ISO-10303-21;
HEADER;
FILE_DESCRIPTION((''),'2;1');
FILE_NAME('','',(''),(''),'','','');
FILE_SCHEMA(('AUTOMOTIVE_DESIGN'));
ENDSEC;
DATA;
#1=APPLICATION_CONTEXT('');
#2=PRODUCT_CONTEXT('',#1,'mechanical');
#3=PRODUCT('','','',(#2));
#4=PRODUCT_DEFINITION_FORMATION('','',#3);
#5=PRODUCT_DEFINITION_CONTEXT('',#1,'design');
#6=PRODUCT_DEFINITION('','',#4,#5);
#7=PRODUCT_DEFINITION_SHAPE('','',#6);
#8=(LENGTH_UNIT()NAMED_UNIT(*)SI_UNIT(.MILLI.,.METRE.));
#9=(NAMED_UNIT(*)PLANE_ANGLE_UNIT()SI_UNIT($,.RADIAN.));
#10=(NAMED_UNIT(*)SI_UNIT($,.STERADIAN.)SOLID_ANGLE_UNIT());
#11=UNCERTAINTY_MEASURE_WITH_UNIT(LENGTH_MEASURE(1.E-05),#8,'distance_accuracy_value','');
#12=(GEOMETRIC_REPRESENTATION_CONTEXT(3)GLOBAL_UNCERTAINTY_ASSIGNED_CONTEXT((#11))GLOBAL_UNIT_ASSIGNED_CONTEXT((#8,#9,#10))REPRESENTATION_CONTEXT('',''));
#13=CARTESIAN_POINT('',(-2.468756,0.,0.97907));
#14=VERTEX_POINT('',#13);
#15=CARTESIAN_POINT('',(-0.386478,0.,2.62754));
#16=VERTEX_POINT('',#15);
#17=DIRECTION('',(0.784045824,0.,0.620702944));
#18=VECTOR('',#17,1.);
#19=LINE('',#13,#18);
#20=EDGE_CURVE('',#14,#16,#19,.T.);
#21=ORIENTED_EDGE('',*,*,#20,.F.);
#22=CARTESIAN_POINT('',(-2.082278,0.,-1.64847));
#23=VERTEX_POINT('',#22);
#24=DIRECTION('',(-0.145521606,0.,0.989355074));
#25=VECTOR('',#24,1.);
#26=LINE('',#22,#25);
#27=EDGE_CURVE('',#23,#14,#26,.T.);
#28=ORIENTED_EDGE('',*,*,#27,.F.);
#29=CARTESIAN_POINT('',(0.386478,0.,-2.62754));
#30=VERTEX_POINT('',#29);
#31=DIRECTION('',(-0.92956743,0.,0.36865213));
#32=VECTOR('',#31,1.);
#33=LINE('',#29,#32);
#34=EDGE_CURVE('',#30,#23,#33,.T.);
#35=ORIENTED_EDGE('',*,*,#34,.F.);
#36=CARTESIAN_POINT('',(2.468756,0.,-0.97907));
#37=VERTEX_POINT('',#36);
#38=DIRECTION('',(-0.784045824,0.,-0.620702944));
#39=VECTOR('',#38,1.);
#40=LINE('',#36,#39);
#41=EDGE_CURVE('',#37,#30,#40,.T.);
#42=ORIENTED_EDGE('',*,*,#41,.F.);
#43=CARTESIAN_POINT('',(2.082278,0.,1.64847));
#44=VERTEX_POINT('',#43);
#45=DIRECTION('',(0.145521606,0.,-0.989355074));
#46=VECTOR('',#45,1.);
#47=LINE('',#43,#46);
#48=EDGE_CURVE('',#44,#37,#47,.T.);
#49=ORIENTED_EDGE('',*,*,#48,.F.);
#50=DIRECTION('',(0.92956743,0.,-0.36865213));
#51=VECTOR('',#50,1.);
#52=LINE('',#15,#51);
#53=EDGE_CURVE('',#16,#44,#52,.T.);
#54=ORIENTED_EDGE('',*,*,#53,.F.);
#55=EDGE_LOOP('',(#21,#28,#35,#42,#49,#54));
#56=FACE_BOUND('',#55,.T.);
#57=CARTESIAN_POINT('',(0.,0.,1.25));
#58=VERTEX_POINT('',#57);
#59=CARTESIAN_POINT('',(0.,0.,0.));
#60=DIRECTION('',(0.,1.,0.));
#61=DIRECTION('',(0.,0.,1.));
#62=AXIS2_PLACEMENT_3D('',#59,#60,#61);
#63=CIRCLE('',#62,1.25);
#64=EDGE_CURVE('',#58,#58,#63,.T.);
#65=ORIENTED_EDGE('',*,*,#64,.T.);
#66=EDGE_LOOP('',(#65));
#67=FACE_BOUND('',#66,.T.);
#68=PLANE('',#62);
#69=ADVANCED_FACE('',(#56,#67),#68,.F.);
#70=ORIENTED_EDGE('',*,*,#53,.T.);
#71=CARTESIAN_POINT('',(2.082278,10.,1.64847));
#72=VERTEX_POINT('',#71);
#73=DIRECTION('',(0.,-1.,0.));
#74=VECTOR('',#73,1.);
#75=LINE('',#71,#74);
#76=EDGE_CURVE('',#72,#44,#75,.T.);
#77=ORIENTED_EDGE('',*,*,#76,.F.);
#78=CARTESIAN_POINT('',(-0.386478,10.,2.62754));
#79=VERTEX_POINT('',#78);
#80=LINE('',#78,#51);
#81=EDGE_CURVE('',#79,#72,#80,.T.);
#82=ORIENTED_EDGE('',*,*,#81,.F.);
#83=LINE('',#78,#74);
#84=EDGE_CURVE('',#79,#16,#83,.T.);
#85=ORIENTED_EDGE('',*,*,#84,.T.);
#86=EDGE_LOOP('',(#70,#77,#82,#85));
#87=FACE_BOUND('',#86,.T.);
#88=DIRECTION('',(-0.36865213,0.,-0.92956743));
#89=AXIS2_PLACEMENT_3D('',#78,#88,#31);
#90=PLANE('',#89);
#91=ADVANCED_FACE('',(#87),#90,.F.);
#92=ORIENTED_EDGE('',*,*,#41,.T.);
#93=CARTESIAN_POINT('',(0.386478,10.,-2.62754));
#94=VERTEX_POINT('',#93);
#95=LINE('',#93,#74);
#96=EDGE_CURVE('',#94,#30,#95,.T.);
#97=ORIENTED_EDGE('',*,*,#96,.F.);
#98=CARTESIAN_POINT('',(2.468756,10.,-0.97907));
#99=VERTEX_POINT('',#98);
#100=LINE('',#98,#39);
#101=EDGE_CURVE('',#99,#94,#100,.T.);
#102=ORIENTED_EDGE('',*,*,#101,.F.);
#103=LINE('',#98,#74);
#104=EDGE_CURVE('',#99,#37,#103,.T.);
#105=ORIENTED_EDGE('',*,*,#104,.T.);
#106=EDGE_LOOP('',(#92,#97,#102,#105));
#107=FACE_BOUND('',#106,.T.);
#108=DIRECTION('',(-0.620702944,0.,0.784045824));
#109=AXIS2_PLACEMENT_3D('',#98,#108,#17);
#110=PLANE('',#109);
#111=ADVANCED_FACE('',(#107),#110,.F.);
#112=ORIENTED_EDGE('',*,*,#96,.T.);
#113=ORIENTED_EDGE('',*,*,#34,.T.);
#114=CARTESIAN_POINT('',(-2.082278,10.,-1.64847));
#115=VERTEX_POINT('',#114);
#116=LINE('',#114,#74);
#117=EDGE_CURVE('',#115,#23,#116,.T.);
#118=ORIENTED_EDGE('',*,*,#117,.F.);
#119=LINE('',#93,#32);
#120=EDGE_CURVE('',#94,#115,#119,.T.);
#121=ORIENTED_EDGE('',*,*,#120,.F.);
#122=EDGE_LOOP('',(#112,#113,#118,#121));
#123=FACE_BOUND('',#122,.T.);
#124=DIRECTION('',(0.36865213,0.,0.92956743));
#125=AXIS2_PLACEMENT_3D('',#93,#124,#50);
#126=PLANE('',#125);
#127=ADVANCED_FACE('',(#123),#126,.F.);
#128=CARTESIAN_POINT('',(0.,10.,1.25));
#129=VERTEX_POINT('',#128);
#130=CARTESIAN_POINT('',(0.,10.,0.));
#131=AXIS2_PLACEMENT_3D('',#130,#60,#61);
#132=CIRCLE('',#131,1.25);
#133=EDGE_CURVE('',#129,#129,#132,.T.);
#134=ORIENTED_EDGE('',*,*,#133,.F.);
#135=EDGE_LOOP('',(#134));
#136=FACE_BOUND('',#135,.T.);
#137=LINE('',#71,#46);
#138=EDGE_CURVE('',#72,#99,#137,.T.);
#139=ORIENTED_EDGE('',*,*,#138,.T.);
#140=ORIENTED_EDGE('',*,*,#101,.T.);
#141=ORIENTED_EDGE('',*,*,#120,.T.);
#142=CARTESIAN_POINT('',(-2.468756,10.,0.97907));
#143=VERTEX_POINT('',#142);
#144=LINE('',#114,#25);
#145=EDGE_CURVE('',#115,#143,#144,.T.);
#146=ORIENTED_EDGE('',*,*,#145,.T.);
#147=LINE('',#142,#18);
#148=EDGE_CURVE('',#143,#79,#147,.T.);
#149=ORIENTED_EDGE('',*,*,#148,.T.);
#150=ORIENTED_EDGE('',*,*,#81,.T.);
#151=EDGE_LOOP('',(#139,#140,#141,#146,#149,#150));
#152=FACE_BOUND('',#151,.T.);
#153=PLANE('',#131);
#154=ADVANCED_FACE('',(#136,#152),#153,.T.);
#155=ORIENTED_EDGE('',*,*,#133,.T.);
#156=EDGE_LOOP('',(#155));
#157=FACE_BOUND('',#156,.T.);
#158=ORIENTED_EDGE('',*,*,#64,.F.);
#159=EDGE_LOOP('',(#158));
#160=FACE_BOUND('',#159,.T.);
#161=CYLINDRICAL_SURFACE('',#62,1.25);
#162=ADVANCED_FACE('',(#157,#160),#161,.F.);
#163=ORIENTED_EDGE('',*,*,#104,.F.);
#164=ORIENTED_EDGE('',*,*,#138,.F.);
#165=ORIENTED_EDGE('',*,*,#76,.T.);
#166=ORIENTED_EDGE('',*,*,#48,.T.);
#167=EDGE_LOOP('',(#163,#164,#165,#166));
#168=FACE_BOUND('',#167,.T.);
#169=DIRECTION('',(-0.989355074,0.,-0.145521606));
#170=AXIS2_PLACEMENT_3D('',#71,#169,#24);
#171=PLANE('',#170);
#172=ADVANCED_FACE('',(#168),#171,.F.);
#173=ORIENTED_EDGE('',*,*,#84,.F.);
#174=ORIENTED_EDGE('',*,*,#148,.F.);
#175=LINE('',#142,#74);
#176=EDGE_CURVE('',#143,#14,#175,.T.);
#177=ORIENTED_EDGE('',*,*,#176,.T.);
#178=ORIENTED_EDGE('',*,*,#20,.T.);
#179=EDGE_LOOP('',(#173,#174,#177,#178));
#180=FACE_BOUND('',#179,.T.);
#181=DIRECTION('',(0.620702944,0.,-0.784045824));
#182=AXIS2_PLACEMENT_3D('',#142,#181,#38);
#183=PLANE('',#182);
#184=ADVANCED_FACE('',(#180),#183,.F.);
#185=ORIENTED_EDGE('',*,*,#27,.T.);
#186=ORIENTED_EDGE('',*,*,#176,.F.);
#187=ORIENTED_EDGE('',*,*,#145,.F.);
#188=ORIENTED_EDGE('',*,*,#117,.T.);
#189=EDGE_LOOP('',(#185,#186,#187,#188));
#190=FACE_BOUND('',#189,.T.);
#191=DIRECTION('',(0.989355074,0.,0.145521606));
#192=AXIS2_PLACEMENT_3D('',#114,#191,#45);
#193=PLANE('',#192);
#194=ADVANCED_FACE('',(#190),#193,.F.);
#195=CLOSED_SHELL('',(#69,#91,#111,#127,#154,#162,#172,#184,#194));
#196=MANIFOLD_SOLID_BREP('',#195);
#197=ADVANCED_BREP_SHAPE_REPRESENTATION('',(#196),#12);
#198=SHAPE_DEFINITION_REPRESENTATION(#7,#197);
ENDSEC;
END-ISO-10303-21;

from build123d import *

# Parameters (mm, degrees)
SALIENTE_EXTRUIR1_DEPTH = 10
CROQUIS_CARA_R          = 1.25
CORTAR_EXTRUIR1_DEPTH   = 11.630085724


with BuildPart() as part:
    # Croquis base → Saliente-Extruir1 (new body)
    with BuildSketch(Plane(origin=(0, 0, 0), x_dir=(1, 0, 0), z_dir=(0, 1, 0))):
        Polygon((2.082277712, -1.648469855), (2.468755628, 0.979070469), (0.386477916, 2.627540324), (-2.082277712, 1.648469855), (-2.468755628, -0.979070469), (-0.386477916, -2.627540324), align=None)
    extrude(amount=SALIENTE_EXTRUIR1_DEPTH)

    # Croquis cara → Cortar-Extruir1 (cut, through all)
    with BuildSketch(Plane(origin=(0, 10, 0), x_dir=(1, 0, 0), z_dir=(0, 1, 0))):
        with Locations(Location((0, 0, 0), (0, 0, 270))):
            Circle(CROQUIS_CARA_R)
    extrude(amount=-CORTAR_EXTRUIR1_DEPTH, mode=Mode.SUBTRACT)


solid = part.part
